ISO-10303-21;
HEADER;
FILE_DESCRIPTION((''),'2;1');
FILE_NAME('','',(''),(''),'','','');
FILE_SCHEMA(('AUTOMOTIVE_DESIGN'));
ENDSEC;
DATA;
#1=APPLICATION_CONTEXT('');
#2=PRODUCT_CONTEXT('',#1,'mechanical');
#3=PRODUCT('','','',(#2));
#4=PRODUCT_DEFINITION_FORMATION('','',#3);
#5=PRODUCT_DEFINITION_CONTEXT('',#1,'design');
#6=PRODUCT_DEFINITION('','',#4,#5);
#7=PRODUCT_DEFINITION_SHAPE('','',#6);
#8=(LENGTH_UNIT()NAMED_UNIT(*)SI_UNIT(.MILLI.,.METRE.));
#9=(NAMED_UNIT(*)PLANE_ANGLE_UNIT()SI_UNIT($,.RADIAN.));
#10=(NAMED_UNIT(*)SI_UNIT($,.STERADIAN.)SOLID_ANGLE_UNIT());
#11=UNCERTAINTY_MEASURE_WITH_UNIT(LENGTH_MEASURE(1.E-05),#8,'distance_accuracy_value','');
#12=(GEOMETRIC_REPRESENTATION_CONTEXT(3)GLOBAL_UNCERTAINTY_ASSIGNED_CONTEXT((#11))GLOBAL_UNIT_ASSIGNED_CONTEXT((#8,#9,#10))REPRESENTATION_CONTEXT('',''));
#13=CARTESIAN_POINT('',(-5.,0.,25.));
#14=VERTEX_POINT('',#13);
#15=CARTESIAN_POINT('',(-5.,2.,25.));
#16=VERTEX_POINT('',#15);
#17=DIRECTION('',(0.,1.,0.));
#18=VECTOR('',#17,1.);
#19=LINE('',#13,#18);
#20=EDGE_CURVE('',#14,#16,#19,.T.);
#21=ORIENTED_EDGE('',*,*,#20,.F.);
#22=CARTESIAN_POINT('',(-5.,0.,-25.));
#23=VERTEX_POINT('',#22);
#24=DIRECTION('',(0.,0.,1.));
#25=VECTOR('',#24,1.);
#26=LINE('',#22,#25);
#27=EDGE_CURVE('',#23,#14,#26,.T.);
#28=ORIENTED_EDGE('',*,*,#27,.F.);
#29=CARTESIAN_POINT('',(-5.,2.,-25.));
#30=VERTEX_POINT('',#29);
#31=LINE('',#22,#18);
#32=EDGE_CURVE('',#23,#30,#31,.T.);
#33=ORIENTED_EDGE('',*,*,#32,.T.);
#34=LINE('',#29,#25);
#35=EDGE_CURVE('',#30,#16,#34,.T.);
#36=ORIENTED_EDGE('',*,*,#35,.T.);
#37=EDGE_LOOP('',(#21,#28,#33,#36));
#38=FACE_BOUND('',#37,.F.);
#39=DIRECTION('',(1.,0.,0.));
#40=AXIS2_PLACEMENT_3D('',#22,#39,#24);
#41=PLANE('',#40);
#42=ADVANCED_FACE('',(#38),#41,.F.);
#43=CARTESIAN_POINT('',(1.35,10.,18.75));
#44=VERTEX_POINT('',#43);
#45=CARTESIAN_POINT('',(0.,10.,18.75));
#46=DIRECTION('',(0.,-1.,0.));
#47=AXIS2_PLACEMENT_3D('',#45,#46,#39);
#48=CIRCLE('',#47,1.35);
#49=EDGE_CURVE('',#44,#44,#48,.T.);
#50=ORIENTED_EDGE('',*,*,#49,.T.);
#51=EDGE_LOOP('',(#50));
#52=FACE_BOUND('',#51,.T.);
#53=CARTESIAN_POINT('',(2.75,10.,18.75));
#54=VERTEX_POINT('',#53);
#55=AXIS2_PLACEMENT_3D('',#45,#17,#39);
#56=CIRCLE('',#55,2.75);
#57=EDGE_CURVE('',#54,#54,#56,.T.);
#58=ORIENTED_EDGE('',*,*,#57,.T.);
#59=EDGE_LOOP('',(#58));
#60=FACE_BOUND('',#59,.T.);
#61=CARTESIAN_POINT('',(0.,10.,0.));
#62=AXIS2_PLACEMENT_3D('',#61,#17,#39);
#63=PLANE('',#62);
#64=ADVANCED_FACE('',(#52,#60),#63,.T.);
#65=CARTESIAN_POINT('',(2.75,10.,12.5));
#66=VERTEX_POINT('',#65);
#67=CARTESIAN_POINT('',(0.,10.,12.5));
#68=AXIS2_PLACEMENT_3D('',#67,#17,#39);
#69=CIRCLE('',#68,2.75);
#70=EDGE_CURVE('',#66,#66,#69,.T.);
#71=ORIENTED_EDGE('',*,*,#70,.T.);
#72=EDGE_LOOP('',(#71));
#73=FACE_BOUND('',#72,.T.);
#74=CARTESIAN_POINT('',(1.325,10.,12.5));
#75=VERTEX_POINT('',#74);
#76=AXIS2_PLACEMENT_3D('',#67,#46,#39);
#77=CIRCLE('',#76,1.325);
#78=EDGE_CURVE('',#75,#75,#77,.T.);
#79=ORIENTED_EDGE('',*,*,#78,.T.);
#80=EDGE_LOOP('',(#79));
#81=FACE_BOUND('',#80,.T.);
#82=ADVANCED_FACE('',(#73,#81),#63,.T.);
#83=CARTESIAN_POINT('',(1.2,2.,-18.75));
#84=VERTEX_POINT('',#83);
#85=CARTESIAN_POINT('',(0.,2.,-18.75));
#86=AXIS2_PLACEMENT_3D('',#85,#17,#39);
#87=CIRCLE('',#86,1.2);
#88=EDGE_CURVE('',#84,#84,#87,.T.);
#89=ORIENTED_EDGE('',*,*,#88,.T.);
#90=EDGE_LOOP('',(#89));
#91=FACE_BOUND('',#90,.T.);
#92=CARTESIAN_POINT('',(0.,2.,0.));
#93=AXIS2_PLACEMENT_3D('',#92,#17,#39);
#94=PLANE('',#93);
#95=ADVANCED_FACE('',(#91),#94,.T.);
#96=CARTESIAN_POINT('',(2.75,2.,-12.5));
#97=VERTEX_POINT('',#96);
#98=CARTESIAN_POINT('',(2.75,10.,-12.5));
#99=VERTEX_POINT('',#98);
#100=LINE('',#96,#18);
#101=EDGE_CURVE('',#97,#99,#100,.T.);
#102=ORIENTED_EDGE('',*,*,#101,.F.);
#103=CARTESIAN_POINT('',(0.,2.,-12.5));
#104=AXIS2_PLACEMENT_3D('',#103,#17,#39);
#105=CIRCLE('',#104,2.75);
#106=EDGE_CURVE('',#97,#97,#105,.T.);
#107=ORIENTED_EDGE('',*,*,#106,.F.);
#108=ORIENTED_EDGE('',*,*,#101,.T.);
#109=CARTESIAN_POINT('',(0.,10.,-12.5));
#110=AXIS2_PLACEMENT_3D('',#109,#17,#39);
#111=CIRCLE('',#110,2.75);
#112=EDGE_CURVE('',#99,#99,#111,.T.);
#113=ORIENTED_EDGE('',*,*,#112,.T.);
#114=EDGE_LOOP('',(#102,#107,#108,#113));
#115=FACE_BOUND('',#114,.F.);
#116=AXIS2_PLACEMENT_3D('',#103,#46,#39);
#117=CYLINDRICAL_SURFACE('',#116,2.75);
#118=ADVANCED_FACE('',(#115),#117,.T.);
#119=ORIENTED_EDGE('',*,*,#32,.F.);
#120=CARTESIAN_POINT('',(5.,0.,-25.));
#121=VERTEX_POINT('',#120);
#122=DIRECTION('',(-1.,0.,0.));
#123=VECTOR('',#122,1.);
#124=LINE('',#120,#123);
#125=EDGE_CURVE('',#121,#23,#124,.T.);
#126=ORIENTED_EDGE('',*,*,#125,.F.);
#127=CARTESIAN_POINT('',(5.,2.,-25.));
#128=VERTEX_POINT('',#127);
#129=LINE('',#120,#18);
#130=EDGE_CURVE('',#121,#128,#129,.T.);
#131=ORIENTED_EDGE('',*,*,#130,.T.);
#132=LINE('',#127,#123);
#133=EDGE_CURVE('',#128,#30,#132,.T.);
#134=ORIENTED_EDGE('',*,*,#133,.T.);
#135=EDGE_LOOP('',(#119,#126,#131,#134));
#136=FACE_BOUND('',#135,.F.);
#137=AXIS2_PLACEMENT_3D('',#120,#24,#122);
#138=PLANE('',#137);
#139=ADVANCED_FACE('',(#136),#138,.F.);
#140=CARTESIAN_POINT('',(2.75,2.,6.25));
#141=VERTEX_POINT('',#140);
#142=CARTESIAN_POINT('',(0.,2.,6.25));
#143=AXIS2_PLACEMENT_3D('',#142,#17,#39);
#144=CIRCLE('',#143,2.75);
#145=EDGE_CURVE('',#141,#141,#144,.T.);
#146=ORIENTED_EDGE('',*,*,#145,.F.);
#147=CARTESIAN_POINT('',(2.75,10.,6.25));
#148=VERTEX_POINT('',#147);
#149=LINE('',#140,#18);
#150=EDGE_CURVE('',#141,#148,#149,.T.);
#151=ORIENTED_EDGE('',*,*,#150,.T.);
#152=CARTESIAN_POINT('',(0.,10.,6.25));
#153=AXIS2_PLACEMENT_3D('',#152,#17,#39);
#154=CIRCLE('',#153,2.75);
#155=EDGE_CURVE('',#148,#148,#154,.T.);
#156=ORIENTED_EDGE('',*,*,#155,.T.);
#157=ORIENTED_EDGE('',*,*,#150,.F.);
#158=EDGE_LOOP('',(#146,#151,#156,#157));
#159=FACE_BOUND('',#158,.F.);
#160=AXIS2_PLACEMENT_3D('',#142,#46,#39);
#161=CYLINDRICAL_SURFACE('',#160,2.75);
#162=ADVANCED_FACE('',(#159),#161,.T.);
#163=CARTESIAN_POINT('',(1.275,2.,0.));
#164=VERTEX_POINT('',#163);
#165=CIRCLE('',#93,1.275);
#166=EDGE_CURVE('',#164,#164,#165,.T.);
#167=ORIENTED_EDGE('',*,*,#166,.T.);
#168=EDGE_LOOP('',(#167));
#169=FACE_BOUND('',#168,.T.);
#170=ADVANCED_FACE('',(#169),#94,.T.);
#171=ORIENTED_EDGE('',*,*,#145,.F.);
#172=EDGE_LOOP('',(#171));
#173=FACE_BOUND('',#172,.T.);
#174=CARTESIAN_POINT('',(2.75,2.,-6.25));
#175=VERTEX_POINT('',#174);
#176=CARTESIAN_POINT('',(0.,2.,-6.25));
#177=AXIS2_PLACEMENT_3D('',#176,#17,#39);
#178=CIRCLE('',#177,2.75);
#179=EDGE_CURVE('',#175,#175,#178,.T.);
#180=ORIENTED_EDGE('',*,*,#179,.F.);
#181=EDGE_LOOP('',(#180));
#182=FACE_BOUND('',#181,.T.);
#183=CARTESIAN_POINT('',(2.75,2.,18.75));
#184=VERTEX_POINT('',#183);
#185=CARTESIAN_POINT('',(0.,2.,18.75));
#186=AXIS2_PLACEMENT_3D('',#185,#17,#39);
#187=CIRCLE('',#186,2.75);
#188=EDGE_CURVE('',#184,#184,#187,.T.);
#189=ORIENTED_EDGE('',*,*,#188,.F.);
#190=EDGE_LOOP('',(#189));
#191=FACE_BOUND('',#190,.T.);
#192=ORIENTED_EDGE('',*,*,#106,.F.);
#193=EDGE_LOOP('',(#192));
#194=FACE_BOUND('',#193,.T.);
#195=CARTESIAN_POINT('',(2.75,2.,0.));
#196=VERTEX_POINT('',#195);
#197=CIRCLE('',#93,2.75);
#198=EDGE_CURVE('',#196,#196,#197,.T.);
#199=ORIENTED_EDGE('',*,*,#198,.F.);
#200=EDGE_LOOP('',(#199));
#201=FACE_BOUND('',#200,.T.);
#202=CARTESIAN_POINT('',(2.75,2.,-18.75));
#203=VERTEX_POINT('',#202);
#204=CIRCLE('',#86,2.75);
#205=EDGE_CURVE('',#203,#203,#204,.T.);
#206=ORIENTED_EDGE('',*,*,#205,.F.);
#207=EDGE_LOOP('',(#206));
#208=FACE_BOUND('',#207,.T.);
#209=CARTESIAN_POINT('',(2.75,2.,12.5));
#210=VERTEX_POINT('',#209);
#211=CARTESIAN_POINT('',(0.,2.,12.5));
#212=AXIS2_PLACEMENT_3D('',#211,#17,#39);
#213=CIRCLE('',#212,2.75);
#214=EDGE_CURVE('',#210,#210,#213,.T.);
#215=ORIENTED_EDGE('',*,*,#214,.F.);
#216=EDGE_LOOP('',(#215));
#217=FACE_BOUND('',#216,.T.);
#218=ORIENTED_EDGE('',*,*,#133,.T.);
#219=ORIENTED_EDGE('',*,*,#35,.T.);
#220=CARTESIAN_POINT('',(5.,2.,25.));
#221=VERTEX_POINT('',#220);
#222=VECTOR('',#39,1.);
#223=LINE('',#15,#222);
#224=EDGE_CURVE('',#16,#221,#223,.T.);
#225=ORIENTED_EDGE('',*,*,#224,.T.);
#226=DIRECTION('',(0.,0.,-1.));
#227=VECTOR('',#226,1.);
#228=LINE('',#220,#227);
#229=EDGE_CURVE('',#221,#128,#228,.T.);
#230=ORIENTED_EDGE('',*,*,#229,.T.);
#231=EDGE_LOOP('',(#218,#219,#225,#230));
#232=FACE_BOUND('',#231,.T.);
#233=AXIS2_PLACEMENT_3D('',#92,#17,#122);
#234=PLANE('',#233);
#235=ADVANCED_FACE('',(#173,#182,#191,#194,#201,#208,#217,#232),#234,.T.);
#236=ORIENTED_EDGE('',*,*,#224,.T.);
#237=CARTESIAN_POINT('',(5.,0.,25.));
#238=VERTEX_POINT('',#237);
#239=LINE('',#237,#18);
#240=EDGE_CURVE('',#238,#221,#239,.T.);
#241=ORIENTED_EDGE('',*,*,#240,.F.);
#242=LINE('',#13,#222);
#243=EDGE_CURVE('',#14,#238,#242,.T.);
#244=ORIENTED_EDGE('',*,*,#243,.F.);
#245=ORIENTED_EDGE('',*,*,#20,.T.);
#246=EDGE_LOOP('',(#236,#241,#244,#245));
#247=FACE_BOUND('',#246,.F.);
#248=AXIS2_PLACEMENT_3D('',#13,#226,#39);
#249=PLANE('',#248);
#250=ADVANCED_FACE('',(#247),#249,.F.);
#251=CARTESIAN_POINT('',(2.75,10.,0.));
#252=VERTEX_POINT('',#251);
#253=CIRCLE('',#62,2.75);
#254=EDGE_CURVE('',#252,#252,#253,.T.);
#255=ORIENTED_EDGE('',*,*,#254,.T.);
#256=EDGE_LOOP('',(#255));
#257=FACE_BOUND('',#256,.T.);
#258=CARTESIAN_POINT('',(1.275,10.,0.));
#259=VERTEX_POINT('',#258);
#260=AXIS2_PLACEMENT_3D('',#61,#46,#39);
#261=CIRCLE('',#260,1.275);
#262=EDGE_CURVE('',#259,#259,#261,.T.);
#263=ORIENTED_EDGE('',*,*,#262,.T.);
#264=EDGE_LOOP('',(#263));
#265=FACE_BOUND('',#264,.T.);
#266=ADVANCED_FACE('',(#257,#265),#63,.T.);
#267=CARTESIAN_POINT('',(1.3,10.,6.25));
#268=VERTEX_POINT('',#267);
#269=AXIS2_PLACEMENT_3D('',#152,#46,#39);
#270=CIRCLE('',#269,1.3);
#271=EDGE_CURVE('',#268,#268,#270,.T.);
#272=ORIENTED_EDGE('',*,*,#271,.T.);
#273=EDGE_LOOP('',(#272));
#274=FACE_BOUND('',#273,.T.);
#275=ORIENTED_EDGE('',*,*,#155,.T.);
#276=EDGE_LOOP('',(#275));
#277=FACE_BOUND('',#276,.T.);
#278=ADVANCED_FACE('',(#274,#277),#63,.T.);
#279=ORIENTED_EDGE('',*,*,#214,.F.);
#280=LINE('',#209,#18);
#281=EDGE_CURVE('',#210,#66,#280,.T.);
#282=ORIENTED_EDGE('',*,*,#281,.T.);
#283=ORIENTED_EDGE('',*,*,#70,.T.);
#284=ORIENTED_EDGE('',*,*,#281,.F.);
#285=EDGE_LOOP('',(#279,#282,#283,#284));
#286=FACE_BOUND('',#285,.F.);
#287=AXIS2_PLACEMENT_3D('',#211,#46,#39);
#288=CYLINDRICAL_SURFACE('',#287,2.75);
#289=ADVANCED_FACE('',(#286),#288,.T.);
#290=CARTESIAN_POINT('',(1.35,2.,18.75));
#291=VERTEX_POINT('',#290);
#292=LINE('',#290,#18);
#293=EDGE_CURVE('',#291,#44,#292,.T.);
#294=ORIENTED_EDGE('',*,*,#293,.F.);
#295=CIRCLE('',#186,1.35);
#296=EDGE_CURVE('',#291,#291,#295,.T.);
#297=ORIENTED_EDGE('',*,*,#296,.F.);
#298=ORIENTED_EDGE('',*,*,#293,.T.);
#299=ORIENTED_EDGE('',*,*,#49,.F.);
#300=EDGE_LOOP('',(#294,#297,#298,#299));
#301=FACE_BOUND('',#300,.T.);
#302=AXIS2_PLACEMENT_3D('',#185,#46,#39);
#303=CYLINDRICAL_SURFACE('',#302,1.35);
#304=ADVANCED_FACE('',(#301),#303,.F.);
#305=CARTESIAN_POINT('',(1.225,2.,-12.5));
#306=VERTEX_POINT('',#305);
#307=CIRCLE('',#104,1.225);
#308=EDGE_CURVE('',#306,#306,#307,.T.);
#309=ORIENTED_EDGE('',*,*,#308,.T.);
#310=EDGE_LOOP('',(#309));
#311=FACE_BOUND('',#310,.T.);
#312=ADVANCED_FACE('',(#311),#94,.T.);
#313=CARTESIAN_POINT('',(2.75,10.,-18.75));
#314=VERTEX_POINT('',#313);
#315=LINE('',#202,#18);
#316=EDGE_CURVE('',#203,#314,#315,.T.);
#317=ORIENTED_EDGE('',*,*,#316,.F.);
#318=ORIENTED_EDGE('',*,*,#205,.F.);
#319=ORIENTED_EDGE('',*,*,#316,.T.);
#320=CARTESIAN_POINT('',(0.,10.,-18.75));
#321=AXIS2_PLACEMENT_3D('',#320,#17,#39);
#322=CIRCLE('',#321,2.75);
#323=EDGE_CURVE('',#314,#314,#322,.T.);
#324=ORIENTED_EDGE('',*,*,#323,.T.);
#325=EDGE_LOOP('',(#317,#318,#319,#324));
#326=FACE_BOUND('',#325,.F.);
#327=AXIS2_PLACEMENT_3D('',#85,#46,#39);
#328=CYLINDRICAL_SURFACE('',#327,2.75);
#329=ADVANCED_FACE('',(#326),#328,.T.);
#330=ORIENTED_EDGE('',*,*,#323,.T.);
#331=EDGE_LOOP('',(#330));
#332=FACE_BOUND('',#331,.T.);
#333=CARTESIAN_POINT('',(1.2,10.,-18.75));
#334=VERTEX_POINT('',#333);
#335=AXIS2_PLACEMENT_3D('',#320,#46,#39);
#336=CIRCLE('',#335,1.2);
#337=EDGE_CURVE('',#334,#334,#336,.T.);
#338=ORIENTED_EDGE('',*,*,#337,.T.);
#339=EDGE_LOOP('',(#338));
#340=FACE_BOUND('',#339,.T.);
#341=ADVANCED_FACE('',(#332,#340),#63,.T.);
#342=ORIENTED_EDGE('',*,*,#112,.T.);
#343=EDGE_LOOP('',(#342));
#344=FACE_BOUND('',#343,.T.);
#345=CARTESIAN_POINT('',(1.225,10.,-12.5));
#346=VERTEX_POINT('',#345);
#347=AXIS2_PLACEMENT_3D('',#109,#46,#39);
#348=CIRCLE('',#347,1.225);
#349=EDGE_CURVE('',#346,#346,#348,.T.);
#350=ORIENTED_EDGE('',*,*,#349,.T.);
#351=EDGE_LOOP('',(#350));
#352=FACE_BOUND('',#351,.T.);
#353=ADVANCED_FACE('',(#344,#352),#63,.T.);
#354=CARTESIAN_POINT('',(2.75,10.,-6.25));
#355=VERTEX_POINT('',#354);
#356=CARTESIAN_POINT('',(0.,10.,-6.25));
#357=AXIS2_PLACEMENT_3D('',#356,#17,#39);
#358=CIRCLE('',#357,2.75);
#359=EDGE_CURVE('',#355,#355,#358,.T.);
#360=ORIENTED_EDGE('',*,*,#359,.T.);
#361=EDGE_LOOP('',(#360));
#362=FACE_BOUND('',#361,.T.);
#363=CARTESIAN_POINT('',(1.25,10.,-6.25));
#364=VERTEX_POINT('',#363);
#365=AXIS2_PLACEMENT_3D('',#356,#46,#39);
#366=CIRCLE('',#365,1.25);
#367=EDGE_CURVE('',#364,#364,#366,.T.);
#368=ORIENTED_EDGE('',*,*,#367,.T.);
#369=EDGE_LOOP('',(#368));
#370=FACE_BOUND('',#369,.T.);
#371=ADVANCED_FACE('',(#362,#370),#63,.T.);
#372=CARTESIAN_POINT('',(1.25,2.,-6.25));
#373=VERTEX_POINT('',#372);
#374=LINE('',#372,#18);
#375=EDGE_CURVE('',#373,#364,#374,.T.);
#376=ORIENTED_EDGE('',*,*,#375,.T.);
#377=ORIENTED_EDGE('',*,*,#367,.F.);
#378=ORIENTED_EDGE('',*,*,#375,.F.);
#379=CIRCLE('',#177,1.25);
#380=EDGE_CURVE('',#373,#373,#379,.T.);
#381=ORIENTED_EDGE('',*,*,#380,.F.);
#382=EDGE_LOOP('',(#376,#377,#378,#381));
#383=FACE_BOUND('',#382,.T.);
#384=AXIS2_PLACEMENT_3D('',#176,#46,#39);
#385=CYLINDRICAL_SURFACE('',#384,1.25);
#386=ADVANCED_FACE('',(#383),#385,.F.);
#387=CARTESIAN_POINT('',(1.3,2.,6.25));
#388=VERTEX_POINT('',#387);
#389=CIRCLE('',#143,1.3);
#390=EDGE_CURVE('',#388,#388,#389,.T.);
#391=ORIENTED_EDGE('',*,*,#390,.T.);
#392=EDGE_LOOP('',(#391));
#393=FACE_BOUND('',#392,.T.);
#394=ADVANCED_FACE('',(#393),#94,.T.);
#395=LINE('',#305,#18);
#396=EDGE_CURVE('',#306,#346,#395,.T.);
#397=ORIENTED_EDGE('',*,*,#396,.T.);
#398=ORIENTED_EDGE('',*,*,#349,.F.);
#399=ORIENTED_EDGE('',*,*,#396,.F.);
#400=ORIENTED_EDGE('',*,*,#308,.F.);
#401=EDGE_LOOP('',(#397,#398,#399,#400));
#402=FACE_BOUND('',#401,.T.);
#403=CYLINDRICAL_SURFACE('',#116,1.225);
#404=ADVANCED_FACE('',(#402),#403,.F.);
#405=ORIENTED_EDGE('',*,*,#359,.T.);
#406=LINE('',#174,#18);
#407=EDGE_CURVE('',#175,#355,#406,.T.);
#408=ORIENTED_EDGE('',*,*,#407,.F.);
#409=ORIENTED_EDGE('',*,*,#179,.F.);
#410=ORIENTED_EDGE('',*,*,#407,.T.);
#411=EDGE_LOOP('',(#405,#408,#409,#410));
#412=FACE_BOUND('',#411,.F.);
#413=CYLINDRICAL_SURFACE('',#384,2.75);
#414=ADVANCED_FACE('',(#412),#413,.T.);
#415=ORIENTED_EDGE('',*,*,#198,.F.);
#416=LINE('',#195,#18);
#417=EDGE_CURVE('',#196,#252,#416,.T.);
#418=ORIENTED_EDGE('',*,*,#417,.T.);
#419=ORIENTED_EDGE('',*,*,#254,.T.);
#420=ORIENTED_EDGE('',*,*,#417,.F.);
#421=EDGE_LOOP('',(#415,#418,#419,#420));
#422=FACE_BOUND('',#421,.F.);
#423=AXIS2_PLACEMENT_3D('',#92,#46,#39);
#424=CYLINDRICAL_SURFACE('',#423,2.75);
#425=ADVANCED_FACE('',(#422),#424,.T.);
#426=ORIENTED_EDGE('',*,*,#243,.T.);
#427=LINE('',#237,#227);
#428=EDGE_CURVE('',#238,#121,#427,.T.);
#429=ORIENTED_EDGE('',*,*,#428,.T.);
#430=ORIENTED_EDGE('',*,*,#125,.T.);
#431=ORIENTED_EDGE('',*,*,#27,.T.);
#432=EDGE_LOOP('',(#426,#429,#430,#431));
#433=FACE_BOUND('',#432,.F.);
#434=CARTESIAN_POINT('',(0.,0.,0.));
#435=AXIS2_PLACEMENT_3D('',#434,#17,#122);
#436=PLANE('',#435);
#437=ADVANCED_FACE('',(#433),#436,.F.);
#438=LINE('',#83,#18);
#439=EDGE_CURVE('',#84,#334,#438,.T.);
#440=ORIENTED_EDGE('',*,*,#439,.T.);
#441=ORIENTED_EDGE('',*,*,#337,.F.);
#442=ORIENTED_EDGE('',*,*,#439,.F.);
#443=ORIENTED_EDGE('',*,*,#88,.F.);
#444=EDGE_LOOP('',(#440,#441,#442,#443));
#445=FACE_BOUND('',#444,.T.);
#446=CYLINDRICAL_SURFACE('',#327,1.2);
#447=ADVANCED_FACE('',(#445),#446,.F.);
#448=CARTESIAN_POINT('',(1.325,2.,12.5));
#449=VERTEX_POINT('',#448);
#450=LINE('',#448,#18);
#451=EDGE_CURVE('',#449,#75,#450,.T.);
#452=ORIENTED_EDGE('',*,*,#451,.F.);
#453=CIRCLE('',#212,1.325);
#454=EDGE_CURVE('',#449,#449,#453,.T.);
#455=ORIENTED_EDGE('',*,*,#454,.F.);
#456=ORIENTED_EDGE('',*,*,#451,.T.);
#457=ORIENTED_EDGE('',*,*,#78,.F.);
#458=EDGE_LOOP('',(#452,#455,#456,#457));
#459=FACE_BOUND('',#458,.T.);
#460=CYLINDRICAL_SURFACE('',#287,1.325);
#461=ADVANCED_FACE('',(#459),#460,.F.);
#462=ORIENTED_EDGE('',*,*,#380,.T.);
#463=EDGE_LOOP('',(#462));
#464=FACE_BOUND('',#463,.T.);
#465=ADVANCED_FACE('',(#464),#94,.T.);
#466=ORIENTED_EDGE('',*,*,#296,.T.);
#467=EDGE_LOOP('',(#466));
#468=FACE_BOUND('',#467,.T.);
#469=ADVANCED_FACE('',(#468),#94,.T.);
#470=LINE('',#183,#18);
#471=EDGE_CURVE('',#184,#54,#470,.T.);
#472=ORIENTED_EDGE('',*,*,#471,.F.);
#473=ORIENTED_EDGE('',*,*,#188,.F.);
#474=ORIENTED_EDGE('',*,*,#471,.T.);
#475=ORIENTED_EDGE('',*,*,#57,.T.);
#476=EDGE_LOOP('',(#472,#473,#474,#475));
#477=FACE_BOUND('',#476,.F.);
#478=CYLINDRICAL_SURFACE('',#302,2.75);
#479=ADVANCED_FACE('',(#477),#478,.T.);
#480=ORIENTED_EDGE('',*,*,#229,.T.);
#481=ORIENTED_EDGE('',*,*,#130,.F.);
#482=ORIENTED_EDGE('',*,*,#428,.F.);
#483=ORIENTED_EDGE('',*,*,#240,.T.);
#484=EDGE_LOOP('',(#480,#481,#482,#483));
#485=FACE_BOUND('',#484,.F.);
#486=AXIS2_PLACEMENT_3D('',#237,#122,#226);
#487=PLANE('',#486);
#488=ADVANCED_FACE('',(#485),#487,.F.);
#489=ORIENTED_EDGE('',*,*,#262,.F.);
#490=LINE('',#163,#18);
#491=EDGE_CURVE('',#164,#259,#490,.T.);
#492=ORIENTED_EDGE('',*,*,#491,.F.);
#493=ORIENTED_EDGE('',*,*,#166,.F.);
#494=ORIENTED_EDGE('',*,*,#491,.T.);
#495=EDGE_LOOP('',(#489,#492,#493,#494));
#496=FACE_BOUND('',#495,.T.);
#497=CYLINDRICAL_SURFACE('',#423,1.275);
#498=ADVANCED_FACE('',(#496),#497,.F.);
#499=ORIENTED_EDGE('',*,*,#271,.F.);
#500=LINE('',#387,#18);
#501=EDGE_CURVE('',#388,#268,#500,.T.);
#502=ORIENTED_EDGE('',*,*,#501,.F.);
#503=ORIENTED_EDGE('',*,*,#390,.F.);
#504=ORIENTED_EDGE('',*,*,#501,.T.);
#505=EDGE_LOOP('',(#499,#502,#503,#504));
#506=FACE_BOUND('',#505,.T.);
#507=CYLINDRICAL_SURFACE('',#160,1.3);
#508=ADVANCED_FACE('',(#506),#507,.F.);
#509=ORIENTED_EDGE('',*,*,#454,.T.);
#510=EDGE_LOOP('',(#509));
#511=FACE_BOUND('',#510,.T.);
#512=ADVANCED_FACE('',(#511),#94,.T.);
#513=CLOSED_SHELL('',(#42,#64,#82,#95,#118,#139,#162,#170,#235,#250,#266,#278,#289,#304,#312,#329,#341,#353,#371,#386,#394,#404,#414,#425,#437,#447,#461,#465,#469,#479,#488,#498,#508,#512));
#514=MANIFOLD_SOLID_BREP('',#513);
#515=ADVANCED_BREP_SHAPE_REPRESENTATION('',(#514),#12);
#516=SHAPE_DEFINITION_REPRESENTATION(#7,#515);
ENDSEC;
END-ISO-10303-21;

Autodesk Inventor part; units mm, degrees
ref_plane "YZ Plane" through (0, 0, 0) normal (1, 0, 0) x (0, 1, 0)
ref_plane "XZ Plane" through (0, 0, 0) normal (0, 1, 0) x (-1, 0, 0)
ref_plane "XY Plane" through (0, 0, 0) normal (0, 0, 1) x (1, 0, 0)
sketch "Sketch1" plane through (0, 0, 0) normal (0, 1, 0) x (-1, 0, 0)
  line L0 (5, 25) -> (-5, 25)
  line L1 (-5, 25) -> (-5, -25)
  line L2 (-5, -25) -> (5, -25)
  line L3 (5, -25) -> (5, 25)
  line L4 (5, 25) -> (-5, -25) construction
  line L5 (-5, 25) -> (5, -25) construction
  point P0 (0, 0)
  dimension "d0" = 10
  dimension "d1" = 50
extrude "Extrusion1" add sketch "Sketch1" along normal blind 2
sketch "Sketch2" plane through (0, 2, 0) normal (0, 1, 0) x (1, 0, 0)
  circle A0 centre (0, 18.75) radius 1.2
  line L0 (5, 25) -> (-5, 25) projected
  circle A1 centre (0, 12.5) radius 1.225
  circle A2 centre (0, 6.25) radius 1.25
  circle A3 centre (0, 0) radius 1.275
  circle A4 centre (0, -6.25) radius 1.3
  circle A5 centre (0, -12.5) radius 1.325
  circle A6 centre (0, -18.75) radius 1.35
  line L1 (0, 35) -> (0, -35) projected
  line L2 (-5, -25) -> (5, -25) projected
  dimension "d4" = 2.4
  dimension "d5" = 6.25
  dimension "d6" = 2.45
  dimension "d7" = 2.5
  dimension "d8" = 2.55
  dimension "d9" = 2.6
  dimension "d10" = 2.65
  dimension "d11" = 2.7
  dimension "d12" = 6.25
  dimension "d13" = 6.25
  dimension "d14" = 6.25
  dimension "d15" = 6.25
  dimension "d17" = 6.25
  dimension "d18" = 6.25
  dimension "d19" = 6.25
sketch "Sketch3" plane through (0, 2, 0) normal (0, 1, 0) x (1, 0, 0)
  line L0 (-5, -25) -> (5, -25) projected
  line L1 (5, -25) -> (5, 25) projected
  line L2 (5, 25) -> (-5, 25) projected
  line L3 (-5, 25) -> (-5, -25) projected
  circle A0 centre (0, 18.75) radius 1.2 projected
  circle A1 centre (0, 18.75) radius 2.75
  circle A2 centre (0, 12.5) radius 2.75
  circle A3 centre (0, 6.25) radius 2.75
  circle A4 centre (0, 0) radius 2.75
  circle A5 centre (0, -6.25) radius 2.75
  circle A6 centre (0, -12.5) radius 2.75
  circle A7 centre (0, -18.75) radius 2.75
  dimension "d20" = 5.5
  dimension "d23" = 6.25
extrude "Extrusion2" add sketch "Sketch3" along normal blind 8 contours A0 | A1 | A2 | A3 | A4 | A5 | A6 | A7
extrude "Extrusion3" cut sketch "Sketch2" along normal blind 8
equation "\"d5\" = d19"
equation "\"d12\" = d5"
equation "\"d13\" = d5"
equation "\"d14\" = d5"
equation "\"d15\" = d5"
equation "\"d17\" = d5"
equation "\"d18\" = d5"
properties part number "test_gwintow"
